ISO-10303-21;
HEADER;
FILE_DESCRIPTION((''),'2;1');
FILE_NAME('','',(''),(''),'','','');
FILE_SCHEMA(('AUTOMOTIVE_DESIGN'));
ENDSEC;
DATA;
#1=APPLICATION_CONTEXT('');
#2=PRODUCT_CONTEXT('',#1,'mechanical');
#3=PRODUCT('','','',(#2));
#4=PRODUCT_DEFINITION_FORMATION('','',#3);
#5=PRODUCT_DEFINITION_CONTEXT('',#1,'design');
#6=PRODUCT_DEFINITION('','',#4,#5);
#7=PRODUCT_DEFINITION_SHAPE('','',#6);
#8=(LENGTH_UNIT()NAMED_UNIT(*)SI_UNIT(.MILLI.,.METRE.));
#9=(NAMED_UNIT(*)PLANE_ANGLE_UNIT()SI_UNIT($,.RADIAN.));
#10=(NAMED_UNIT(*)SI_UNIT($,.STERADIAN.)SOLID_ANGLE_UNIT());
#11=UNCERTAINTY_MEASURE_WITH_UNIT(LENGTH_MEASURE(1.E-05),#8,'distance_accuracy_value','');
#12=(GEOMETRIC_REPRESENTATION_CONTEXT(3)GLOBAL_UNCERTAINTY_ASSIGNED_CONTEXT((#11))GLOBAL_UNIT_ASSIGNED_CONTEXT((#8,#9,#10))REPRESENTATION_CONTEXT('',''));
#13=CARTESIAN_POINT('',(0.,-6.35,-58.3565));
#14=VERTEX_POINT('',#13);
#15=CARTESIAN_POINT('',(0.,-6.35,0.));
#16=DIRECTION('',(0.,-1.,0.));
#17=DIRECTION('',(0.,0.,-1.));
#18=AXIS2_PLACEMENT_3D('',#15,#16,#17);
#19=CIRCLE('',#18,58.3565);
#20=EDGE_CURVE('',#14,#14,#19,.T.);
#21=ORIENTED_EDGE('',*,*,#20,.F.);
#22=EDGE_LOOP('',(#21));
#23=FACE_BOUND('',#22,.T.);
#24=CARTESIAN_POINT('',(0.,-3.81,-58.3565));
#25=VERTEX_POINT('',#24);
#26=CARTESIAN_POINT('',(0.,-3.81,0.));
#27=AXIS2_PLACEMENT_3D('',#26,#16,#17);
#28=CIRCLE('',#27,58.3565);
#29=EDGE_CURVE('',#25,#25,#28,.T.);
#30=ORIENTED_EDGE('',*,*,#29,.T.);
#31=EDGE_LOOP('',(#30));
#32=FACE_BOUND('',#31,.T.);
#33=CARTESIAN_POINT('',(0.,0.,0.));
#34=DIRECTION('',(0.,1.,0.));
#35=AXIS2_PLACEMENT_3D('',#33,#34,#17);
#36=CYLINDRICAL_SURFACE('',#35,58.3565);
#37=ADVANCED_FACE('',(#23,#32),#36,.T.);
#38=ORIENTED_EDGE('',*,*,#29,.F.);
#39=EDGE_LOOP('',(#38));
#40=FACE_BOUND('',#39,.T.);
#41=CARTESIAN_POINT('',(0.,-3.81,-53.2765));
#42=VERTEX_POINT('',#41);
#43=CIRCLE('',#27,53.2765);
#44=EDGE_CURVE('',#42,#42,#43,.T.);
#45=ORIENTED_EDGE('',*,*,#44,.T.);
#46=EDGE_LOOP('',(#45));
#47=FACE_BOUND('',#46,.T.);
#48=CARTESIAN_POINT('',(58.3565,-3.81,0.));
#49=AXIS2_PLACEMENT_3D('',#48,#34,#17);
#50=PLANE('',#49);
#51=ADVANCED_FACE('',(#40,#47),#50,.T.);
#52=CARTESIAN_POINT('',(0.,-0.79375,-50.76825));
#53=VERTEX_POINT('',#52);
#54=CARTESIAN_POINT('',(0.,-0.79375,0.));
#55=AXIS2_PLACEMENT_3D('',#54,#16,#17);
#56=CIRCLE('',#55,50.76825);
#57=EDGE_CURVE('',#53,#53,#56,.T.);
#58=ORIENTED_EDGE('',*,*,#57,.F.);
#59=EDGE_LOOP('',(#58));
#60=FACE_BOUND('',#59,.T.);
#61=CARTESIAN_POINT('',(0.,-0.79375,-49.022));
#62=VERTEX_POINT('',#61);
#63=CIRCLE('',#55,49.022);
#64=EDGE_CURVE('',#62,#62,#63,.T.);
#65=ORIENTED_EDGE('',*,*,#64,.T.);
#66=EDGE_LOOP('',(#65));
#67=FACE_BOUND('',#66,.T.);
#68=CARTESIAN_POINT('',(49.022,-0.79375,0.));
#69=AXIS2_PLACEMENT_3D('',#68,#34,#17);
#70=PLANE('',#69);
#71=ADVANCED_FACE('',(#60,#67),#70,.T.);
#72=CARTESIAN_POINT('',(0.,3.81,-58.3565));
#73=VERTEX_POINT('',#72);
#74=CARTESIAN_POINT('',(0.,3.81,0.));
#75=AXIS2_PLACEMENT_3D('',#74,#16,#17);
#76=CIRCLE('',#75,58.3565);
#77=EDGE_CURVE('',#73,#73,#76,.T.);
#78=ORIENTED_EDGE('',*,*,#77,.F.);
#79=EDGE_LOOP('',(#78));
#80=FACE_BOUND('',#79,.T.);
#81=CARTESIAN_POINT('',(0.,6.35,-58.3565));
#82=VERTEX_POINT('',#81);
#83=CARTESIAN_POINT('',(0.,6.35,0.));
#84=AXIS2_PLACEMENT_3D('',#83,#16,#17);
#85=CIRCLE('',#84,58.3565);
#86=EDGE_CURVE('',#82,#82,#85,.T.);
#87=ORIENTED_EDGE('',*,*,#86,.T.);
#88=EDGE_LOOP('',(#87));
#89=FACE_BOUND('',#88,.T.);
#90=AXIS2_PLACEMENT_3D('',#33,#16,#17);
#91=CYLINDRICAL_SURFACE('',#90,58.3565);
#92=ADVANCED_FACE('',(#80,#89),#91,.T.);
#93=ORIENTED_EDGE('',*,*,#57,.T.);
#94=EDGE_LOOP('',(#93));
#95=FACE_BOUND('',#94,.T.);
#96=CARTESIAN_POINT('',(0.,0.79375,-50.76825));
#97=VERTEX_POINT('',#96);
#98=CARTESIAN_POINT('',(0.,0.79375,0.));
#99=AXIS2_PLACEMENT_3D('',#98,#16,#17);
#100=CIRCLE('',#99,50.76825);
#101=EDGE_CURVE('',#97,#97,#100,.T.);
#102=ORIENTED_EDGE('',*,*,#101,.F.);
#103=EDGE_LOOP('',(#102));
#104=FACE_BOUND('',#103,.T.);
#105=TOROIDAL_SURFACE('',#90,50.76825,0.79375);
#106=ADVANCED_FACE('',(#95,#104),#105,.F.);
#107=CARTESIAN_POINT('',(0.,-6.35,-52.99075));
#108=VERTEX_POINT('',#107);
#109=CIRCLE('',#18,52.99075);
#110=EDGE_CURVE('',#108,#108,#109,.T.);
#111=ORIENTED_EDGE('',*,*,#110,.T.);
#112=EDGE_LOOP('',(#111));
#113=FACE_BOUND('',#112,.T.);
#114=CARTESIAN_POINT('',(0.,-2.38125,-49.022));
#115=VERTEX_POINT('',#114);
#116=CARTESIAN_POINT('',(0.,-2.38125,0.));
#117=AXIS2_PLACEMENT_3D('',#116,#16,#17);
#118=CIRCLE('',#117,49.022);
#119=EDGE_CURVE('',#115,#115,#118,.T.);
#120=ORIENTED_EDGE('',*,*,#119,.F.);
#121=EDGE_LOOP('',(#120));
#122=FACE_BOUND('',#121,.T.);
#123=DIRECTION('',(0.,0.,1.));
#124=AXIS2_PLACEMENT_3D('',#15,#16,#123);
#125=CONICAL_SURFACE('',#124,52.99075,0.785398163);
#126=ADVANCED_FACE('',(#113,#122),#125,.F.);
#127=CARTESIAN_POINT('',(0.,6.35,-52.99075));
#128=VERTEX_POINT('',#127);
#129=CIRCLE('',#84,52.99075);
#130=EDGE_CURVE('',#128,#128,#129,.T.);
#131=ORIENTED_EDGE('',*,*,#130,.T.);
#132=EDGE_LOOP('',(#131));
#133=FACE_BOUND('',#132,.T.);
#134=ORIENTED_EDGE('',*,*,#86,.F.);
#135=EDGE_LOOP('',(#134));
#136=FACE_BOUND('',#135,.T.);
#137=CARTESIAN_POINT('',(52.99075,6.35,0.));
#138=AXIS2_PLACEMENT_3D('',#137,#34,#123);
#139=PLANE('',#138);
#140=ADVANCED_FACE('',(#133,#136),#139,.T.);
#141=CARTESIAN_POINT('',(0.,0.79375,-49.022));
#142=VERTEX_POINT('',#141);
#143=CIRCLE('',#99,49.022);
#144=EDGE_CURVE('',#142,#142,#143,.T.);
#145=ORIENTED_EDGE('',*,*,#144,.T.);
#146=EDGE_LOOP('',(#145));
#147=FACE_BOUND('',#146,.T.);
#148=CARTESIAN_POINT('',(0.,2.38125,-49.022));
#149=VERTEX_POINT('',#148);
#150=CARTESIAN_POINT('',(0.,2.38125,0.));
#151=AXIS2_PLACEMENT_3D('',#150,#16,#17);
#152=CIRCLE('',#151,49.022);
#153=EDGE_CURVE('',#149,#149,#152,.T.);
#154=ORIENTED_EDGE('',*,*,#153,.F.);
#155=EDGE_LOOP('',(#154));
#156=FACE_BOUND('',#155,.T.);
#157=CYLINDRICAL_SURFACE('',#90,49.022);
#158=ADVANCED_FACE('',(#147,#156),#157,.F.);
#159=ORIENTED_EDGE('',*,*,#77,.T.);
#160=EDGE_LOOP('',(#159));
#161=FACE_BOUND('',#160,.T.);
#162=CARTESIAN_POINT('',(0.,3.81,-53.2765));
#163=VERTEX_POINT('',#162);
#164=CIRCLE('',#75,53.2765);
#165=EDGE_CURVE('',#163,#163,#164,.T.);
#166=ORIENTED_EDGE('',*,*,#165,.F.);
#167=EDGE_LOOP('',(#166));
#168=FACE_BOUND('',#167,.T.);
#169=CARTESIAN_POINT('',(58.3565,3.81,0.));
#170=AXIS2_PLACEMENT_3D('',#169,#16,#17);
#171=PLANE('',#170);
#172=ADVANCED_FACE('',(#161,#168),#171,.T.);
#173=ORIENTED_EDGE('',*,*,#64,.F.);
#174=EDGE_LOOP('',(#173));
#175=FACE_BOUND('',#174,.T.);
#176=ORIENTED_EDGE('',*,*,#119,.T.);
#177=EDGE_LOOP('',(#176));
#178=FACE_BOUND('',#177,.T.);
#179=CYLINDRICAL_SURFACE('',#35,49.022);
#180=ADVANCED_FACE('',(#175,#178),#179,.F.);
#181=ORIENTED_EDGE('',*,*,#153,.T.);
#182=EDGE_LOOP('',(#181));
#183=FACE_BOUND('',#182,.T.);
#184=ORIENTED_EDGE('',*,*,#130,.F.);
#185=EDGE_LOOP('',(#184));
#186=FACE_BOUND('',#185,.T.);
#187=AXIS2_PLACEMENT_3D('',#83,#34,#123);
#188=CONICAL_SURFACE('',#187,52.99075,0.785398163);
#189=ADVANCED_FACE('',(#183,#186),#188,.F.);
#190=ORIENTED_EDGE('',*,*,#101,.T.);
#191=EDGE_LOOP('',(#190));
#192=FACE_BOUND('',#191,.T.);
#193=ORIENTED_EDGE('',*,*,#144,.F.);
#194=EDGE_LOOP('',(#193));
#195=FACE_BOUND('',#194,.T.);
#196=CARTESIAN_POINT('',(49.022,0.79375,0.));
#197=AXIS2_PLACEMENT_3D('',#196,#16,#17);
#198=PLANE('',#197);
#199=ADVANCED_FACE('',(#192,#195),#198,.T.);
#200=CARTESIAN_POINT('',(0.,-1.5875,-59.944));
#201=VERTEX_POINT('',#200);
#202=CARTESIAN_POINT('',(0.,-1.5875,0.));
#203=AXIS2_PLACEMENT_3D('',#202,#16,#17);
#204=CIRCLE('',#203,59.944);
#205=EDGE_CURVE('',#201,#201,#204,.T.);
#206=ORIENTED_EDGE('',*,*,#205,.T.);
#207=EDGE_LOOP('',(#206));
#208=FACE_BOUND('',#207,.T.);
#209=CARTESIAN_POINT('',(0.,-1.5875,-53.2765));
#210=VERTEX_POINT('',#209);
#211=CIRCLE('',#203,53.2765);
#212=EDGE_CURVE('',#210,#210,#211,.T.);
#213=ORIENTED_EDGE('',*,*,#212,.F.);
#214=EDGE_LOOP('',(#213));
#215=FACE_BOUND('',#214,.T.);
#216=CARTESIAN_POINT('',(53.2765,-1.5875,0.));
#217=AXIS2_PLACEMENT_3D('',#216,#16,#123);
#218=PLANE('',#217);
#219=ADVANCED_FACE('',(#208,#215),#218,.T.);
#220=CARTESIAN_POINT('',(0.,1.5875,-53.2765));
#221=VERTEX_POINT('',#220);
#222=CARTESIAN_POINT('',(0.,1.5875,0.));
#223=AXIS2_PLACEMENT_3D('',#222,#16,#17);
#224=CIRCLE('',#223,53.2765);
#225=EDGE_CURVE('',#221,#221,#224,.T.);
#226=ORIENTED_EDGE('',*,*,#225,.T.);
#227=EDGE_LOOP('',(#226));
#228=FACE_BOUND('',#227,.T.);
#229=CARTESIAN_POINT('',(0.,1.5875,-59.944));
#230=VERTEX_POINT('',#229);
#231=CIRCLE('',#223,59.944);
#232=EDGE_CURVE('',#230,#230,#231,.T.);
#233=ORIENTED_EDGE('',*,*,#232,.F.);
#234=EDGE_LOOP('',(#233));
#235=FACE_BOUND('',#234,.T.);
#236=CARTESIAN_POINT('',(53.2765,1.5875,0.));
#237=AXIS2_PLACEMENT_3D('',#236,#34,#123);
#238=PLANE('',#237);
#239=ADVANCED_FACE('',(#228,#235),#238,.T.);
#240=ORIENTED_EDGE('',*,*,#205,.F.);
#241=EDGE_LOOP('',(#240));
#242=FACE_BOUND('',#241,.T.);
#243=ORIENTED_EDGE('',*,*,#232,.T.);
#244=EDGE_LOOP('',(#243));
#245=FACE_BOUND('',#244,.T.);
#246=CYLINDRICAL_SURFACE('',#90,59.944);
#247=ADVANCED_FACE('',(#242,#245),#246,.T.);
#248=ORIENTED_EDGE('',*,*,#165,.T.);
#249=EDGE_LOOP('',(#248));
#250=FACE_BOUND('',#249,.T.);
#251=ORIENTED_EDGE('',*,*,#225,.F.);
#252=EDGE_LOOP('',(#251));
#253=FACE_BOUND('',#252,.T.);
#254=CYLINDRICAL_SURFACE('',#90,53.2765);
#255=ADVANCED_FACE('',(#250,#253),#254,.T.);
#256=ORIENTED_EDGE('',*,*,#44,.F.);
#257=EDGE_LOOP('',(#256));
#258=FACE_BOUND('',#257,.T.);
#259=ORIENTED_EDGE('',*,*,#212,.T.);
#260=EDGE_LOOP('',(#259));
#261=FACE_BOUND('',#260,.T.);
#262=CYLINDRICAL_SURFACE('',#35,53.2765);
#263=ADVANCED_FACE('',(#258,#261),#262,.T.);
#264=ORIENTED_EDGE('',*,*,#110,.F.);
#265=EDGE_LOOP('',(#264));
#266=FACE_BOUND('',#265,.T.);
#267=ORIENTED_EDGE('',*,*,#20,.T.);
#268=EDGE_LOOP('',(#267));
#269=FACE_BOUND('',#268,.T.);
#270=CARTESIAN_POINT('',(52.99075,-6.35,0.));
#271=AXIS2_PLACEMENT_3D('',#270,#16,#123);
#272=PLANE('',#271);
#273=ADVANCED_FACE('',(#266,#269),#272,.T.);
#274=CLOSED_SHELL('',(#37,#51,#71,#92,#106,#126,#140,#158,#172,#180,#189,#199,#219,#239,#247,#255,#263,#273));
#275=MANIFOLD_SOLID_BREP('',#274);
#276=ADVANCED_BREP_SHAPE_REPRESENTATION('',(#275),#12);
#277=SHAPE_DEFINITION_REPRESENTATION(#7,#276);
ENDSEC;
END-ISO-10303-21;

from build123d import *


with BuildPart() as part:
    # Sketch1 → Revolve1 (revolve)
    with BuildSketch(Plane.XY, mode=Mode.PRIVATE) as revolve1_sk:
        with BuildLine():
            Line((49.022, 0.79375), (49.022, 2.38125))
            Line((49.022, 2.38125), (52.99075, 6.35))
            Line((52.99075, 6.35), (58.3565, 6.35))
            Line((58.3565, 6.35), (58.3565, 3.81))
            Line((58.3565, 3.81), (53.2765, 3.81))
            Line((53.2765, 3.81), (53.2765, 1.5875))
            Line((53.2765, 1.5875), (59.944, 1.5875))
            Line((59.944, 1.5875), (59.944, 0))
            Line((59.944, 0), (51.562, 0))
            ThreePointArc((51.562, 0), (51.329516008, 0.561266008), (50.76825, 0.79375))
            Line((50.76825, 0.79375), (49.022, 0.79375))
        make_face()
    revolve1 = revolve(revolve1_sk.sketch.rotate(Axis((0, 0, 0), (0, 1, 0)), 90), axis=Axis((0, 0, 0), (0, 1, 0)))

    # Mirror1: Revolve1 across plane
    add(revolve1.mirror(Plane.ZX))


solid = part.part
